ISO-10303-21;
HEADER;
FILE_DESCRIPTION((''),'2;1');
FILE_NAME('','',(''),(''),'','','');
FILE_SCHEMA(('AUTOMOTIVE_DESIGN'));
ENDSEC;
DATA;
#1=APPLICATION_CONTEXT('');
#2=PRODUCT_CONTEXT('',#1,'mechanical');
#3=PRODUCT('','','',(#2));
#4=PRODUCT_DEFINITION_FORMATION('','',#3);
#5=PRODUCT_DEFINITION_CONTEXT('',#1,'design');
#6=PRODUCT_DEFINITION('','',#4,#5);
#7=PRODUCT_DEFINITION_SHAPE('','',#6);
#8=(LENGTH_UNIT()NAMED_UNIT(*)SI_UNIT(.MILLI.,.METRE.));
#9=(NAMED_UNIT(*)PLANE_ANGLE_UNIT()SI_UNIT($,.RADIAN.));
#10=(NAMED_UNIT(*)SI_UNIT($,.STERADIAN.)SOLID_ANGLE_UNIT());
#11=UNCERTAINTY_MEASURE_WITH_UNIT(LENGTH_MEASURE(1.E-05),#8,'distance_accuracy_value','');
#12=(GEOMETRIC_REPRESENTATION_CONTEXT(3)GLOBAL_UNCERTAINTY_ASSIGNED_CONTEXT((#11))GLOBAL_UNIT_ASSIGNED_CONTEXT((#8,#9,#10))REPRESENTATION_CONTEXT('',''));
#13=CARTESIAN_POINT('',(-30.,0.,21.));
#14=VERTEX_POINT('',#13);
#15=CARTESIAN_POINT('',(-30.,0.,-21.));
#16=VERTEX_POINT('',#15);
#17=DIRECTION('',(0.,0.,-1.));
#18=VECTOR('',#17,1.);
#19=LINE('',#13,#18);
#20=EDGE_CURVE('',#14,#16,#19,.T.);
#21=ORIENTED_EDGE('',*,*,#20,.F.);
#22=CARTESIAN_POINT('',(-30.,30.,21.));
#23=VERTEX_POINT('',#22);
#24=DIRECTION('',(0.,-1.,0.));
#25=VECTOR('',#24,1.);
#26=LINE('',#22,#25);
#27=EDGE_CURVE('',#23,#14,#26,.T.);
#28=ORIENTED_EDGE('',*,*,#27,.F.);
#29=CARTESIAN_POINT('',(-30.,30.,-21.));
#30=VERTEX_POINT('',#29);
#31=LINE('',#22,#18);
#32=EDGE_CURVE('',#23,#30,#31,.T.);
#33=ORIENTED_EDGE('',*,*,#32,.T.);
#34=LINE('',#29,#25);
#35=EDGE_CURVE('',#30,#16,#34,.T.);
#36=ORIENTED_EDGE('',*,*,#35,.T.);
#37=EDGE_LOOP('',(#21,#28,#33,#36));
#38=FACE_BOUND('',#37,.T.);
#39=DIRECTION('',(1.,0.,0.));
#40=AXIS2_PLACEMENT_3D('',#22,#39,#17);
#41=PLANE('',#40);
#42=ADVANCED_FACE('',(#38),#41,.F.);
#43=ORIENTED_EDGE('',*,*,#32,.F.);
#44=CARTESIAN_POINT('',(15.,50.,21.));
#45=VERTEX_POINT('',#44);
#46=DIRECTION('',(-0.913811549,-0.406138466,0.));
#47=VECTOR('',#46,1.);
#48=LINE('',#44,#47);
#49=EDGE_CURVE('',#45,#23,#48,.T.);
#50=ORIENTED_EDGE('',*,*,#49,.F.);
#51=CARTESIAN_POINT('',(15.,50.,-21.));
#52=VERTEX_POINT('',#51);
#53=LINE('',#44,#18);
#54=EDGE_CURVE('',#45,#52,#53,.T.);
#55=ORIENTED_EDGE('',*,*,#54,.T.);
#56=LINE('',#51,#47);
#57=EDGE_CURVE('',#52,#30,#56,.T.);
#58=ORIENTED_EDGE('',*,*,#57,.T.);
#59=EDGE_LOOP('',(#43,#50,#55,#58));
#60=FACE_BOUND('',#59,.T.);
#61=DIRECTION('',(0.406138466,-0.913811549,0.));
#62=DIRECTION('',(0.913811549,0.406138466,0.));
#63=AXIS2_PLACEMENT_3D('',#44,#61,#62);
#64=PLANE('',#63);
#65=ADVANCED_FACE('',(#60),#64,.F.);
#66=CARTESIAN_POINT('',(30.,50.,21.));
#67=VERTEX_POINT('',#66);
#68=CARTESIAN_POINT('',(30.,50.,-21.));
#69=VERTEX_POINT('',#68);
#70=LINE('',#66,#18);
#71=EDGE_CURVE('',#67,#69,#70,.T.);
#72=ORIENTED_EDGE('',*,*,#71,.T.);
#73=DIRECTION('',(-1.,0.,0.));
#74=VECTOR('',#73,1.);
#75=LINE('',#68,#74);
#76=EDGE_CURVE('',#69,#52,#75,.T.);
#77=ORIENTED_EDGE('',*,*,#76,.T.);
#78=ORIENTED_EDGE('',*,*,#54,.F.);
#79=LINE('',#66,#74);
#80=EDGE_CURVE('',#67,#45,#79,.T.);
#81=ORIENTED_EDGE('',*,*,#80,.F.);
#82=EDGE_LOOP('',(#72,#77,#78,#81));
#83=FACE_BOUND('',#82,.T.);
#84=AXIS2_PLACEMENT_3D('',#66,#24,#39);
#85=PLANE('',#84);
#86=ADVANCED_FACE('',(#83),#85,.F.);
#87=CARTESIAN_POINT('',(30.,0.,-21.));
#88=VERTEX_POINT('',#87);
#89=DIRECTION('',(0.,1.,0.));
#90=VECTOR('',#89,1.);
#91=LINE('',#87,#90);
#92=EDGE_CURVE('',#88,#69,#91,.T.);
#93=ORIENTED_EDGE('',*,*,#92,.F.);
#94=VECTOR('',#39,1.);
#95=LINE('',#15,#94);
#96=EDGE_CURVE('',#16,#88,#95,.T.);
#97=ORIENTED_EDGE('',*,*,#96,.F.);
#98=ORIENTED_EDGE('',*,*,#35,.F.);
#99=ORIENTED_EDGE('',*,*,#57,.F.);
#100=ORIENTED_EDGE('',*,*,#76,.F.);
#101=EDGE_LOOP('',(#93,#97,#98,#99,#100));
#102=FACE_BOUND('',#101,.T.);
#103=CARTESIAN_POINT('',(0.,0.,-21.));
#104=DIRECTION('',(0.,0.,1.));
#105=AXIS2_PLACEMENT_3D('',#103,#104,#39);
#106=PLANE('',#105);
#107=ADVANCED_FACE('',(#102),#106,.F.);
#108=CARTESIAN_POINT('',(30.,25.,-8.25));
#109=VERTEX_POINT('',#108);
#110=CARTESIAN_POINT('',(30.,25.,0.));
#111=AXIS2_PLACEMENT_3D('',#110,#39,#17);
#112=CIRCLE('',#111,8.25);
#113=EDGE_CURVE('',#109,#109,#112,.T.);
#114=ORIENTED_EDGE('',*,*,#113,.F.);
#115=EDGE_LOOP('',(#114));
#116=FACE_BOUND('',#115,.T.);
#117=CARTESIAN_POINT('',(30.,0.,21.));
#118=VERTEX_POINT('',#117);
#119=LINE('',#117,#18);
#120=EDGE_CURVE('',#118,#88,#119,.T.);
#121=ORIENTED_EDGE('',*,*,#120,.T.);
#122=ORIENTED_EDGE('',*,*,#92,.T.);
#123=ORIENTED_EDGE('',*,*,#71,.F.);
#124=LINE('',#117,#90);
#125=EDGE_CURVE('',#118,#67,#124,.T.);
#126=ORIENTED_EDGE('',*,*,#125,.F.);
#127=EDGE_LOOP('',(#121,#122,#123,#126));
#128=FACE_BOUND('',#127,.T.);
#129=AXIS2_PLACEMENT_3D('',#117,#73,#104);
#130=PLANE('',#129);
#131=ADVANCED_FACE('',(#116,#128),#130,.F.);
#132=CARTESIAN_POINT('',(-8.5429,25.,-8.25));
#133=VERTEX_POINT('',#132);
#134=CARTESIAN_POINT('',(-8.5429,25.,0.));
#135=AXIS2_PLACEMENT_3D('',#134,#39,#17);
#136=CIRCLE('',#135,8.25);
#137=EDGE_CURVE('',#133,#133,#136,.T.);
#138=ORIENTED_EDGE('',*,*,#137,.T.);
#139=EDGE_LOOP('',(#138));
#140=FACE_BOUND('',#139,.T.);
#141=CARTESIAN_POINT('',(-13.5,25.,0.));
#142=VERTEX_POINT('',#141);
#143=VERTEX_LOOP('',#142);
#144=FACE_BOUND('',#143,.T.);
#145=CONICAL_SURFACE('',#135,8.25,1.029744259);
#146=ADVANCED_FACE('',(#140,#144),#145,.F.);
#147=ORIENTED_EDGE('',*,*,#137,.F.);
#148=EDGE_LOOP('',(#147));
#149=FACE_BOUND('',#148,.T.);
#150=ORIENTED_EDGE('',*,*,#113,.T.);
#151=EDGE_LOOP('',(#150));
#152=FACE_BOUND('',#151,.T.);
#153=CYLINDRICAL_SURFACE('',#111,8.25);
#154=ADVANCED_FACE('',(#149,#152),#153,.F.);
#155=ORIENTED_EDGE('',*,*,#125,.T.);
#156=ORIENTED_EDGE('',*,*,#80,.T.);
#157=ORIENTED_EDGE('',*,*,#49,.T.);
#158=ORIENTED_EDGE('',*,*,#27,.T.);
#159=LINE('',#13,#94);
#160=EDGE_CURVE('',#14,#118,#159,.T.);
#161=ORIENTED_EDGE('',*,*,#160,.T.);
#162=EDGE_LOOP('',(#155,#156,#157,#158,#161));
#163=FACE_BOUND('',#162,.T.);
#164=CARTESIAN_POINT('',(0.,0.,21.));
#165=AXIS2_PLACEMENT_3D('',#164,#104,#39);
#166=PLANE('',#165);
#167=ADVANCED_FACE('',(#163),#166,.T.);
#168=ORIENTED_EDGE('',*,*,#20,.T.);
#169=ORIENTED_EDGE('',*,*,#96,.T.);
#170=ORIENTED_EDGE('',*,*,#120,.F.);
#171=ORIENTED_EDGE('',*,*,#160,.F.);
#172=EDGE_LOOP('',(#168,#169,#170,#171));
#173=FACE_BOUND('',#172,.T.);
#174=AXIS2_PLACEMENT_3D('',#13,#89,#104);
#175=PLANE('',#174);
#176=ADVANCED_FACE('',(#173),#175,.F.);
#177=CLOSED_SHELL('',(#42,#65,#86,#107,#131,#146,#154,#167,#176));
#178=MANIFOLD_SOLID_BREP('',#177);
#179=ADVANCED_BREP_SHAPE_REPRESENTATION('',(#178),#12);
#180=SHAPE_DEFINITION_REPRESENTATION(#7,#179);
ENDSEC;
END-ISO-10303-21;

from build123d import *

# Parameters (mm, degrees)
ESTRUSIONE_ESTRUSIONE1_DEPTH   = 21
FORO_FILETTATO_M18X1_5_1_D     = 16.5
FORO_FILETTATO_M18X1_5_1_DEPTH = 38.542899893
FORO_FILETTATO_M18X1_5_1_TIP   = 4.957100107


with BuildPart() as part:
    # Schizzo1 → Estrusione-Estrusione1 (new, symmetric)
    with BuildSketch(Plane.XY):
        Polygon((30, 0), (30, 50), (15, 50), (-30, 30), (-30, 0), align=None)
    extrude(amount=ESTRUSIONE_ESTRUSIONE1_DEPTH, both=True)

    # Foro filettato M18x1.5-1
    with Locations(Plane(origin=(30, 0, 0), x_dir=(0, 0, -1), z_dir=(1, 0, 0))):
        with Locations((0, 25)):
            Hole(FORO_FILETTATO_M18X1_5_1_D / 2, depth=FORO_FILETTATO_M18X1_5_1_DEPTH)
            with Locations((0, 0, -(FORO_FILETTATO_M18X1_5_1_DEPTH + FORO_FILETTATO_M18X1_5_1_TIP / 2))):  # 118° drill point
                Cone(0, FORO_FILETTATO_M18X1_5_1_D / 2, FORO_FILETTATO_M18X1_5_1_TIP, mode=Mode.SUBTRACT)


solid = part.part
